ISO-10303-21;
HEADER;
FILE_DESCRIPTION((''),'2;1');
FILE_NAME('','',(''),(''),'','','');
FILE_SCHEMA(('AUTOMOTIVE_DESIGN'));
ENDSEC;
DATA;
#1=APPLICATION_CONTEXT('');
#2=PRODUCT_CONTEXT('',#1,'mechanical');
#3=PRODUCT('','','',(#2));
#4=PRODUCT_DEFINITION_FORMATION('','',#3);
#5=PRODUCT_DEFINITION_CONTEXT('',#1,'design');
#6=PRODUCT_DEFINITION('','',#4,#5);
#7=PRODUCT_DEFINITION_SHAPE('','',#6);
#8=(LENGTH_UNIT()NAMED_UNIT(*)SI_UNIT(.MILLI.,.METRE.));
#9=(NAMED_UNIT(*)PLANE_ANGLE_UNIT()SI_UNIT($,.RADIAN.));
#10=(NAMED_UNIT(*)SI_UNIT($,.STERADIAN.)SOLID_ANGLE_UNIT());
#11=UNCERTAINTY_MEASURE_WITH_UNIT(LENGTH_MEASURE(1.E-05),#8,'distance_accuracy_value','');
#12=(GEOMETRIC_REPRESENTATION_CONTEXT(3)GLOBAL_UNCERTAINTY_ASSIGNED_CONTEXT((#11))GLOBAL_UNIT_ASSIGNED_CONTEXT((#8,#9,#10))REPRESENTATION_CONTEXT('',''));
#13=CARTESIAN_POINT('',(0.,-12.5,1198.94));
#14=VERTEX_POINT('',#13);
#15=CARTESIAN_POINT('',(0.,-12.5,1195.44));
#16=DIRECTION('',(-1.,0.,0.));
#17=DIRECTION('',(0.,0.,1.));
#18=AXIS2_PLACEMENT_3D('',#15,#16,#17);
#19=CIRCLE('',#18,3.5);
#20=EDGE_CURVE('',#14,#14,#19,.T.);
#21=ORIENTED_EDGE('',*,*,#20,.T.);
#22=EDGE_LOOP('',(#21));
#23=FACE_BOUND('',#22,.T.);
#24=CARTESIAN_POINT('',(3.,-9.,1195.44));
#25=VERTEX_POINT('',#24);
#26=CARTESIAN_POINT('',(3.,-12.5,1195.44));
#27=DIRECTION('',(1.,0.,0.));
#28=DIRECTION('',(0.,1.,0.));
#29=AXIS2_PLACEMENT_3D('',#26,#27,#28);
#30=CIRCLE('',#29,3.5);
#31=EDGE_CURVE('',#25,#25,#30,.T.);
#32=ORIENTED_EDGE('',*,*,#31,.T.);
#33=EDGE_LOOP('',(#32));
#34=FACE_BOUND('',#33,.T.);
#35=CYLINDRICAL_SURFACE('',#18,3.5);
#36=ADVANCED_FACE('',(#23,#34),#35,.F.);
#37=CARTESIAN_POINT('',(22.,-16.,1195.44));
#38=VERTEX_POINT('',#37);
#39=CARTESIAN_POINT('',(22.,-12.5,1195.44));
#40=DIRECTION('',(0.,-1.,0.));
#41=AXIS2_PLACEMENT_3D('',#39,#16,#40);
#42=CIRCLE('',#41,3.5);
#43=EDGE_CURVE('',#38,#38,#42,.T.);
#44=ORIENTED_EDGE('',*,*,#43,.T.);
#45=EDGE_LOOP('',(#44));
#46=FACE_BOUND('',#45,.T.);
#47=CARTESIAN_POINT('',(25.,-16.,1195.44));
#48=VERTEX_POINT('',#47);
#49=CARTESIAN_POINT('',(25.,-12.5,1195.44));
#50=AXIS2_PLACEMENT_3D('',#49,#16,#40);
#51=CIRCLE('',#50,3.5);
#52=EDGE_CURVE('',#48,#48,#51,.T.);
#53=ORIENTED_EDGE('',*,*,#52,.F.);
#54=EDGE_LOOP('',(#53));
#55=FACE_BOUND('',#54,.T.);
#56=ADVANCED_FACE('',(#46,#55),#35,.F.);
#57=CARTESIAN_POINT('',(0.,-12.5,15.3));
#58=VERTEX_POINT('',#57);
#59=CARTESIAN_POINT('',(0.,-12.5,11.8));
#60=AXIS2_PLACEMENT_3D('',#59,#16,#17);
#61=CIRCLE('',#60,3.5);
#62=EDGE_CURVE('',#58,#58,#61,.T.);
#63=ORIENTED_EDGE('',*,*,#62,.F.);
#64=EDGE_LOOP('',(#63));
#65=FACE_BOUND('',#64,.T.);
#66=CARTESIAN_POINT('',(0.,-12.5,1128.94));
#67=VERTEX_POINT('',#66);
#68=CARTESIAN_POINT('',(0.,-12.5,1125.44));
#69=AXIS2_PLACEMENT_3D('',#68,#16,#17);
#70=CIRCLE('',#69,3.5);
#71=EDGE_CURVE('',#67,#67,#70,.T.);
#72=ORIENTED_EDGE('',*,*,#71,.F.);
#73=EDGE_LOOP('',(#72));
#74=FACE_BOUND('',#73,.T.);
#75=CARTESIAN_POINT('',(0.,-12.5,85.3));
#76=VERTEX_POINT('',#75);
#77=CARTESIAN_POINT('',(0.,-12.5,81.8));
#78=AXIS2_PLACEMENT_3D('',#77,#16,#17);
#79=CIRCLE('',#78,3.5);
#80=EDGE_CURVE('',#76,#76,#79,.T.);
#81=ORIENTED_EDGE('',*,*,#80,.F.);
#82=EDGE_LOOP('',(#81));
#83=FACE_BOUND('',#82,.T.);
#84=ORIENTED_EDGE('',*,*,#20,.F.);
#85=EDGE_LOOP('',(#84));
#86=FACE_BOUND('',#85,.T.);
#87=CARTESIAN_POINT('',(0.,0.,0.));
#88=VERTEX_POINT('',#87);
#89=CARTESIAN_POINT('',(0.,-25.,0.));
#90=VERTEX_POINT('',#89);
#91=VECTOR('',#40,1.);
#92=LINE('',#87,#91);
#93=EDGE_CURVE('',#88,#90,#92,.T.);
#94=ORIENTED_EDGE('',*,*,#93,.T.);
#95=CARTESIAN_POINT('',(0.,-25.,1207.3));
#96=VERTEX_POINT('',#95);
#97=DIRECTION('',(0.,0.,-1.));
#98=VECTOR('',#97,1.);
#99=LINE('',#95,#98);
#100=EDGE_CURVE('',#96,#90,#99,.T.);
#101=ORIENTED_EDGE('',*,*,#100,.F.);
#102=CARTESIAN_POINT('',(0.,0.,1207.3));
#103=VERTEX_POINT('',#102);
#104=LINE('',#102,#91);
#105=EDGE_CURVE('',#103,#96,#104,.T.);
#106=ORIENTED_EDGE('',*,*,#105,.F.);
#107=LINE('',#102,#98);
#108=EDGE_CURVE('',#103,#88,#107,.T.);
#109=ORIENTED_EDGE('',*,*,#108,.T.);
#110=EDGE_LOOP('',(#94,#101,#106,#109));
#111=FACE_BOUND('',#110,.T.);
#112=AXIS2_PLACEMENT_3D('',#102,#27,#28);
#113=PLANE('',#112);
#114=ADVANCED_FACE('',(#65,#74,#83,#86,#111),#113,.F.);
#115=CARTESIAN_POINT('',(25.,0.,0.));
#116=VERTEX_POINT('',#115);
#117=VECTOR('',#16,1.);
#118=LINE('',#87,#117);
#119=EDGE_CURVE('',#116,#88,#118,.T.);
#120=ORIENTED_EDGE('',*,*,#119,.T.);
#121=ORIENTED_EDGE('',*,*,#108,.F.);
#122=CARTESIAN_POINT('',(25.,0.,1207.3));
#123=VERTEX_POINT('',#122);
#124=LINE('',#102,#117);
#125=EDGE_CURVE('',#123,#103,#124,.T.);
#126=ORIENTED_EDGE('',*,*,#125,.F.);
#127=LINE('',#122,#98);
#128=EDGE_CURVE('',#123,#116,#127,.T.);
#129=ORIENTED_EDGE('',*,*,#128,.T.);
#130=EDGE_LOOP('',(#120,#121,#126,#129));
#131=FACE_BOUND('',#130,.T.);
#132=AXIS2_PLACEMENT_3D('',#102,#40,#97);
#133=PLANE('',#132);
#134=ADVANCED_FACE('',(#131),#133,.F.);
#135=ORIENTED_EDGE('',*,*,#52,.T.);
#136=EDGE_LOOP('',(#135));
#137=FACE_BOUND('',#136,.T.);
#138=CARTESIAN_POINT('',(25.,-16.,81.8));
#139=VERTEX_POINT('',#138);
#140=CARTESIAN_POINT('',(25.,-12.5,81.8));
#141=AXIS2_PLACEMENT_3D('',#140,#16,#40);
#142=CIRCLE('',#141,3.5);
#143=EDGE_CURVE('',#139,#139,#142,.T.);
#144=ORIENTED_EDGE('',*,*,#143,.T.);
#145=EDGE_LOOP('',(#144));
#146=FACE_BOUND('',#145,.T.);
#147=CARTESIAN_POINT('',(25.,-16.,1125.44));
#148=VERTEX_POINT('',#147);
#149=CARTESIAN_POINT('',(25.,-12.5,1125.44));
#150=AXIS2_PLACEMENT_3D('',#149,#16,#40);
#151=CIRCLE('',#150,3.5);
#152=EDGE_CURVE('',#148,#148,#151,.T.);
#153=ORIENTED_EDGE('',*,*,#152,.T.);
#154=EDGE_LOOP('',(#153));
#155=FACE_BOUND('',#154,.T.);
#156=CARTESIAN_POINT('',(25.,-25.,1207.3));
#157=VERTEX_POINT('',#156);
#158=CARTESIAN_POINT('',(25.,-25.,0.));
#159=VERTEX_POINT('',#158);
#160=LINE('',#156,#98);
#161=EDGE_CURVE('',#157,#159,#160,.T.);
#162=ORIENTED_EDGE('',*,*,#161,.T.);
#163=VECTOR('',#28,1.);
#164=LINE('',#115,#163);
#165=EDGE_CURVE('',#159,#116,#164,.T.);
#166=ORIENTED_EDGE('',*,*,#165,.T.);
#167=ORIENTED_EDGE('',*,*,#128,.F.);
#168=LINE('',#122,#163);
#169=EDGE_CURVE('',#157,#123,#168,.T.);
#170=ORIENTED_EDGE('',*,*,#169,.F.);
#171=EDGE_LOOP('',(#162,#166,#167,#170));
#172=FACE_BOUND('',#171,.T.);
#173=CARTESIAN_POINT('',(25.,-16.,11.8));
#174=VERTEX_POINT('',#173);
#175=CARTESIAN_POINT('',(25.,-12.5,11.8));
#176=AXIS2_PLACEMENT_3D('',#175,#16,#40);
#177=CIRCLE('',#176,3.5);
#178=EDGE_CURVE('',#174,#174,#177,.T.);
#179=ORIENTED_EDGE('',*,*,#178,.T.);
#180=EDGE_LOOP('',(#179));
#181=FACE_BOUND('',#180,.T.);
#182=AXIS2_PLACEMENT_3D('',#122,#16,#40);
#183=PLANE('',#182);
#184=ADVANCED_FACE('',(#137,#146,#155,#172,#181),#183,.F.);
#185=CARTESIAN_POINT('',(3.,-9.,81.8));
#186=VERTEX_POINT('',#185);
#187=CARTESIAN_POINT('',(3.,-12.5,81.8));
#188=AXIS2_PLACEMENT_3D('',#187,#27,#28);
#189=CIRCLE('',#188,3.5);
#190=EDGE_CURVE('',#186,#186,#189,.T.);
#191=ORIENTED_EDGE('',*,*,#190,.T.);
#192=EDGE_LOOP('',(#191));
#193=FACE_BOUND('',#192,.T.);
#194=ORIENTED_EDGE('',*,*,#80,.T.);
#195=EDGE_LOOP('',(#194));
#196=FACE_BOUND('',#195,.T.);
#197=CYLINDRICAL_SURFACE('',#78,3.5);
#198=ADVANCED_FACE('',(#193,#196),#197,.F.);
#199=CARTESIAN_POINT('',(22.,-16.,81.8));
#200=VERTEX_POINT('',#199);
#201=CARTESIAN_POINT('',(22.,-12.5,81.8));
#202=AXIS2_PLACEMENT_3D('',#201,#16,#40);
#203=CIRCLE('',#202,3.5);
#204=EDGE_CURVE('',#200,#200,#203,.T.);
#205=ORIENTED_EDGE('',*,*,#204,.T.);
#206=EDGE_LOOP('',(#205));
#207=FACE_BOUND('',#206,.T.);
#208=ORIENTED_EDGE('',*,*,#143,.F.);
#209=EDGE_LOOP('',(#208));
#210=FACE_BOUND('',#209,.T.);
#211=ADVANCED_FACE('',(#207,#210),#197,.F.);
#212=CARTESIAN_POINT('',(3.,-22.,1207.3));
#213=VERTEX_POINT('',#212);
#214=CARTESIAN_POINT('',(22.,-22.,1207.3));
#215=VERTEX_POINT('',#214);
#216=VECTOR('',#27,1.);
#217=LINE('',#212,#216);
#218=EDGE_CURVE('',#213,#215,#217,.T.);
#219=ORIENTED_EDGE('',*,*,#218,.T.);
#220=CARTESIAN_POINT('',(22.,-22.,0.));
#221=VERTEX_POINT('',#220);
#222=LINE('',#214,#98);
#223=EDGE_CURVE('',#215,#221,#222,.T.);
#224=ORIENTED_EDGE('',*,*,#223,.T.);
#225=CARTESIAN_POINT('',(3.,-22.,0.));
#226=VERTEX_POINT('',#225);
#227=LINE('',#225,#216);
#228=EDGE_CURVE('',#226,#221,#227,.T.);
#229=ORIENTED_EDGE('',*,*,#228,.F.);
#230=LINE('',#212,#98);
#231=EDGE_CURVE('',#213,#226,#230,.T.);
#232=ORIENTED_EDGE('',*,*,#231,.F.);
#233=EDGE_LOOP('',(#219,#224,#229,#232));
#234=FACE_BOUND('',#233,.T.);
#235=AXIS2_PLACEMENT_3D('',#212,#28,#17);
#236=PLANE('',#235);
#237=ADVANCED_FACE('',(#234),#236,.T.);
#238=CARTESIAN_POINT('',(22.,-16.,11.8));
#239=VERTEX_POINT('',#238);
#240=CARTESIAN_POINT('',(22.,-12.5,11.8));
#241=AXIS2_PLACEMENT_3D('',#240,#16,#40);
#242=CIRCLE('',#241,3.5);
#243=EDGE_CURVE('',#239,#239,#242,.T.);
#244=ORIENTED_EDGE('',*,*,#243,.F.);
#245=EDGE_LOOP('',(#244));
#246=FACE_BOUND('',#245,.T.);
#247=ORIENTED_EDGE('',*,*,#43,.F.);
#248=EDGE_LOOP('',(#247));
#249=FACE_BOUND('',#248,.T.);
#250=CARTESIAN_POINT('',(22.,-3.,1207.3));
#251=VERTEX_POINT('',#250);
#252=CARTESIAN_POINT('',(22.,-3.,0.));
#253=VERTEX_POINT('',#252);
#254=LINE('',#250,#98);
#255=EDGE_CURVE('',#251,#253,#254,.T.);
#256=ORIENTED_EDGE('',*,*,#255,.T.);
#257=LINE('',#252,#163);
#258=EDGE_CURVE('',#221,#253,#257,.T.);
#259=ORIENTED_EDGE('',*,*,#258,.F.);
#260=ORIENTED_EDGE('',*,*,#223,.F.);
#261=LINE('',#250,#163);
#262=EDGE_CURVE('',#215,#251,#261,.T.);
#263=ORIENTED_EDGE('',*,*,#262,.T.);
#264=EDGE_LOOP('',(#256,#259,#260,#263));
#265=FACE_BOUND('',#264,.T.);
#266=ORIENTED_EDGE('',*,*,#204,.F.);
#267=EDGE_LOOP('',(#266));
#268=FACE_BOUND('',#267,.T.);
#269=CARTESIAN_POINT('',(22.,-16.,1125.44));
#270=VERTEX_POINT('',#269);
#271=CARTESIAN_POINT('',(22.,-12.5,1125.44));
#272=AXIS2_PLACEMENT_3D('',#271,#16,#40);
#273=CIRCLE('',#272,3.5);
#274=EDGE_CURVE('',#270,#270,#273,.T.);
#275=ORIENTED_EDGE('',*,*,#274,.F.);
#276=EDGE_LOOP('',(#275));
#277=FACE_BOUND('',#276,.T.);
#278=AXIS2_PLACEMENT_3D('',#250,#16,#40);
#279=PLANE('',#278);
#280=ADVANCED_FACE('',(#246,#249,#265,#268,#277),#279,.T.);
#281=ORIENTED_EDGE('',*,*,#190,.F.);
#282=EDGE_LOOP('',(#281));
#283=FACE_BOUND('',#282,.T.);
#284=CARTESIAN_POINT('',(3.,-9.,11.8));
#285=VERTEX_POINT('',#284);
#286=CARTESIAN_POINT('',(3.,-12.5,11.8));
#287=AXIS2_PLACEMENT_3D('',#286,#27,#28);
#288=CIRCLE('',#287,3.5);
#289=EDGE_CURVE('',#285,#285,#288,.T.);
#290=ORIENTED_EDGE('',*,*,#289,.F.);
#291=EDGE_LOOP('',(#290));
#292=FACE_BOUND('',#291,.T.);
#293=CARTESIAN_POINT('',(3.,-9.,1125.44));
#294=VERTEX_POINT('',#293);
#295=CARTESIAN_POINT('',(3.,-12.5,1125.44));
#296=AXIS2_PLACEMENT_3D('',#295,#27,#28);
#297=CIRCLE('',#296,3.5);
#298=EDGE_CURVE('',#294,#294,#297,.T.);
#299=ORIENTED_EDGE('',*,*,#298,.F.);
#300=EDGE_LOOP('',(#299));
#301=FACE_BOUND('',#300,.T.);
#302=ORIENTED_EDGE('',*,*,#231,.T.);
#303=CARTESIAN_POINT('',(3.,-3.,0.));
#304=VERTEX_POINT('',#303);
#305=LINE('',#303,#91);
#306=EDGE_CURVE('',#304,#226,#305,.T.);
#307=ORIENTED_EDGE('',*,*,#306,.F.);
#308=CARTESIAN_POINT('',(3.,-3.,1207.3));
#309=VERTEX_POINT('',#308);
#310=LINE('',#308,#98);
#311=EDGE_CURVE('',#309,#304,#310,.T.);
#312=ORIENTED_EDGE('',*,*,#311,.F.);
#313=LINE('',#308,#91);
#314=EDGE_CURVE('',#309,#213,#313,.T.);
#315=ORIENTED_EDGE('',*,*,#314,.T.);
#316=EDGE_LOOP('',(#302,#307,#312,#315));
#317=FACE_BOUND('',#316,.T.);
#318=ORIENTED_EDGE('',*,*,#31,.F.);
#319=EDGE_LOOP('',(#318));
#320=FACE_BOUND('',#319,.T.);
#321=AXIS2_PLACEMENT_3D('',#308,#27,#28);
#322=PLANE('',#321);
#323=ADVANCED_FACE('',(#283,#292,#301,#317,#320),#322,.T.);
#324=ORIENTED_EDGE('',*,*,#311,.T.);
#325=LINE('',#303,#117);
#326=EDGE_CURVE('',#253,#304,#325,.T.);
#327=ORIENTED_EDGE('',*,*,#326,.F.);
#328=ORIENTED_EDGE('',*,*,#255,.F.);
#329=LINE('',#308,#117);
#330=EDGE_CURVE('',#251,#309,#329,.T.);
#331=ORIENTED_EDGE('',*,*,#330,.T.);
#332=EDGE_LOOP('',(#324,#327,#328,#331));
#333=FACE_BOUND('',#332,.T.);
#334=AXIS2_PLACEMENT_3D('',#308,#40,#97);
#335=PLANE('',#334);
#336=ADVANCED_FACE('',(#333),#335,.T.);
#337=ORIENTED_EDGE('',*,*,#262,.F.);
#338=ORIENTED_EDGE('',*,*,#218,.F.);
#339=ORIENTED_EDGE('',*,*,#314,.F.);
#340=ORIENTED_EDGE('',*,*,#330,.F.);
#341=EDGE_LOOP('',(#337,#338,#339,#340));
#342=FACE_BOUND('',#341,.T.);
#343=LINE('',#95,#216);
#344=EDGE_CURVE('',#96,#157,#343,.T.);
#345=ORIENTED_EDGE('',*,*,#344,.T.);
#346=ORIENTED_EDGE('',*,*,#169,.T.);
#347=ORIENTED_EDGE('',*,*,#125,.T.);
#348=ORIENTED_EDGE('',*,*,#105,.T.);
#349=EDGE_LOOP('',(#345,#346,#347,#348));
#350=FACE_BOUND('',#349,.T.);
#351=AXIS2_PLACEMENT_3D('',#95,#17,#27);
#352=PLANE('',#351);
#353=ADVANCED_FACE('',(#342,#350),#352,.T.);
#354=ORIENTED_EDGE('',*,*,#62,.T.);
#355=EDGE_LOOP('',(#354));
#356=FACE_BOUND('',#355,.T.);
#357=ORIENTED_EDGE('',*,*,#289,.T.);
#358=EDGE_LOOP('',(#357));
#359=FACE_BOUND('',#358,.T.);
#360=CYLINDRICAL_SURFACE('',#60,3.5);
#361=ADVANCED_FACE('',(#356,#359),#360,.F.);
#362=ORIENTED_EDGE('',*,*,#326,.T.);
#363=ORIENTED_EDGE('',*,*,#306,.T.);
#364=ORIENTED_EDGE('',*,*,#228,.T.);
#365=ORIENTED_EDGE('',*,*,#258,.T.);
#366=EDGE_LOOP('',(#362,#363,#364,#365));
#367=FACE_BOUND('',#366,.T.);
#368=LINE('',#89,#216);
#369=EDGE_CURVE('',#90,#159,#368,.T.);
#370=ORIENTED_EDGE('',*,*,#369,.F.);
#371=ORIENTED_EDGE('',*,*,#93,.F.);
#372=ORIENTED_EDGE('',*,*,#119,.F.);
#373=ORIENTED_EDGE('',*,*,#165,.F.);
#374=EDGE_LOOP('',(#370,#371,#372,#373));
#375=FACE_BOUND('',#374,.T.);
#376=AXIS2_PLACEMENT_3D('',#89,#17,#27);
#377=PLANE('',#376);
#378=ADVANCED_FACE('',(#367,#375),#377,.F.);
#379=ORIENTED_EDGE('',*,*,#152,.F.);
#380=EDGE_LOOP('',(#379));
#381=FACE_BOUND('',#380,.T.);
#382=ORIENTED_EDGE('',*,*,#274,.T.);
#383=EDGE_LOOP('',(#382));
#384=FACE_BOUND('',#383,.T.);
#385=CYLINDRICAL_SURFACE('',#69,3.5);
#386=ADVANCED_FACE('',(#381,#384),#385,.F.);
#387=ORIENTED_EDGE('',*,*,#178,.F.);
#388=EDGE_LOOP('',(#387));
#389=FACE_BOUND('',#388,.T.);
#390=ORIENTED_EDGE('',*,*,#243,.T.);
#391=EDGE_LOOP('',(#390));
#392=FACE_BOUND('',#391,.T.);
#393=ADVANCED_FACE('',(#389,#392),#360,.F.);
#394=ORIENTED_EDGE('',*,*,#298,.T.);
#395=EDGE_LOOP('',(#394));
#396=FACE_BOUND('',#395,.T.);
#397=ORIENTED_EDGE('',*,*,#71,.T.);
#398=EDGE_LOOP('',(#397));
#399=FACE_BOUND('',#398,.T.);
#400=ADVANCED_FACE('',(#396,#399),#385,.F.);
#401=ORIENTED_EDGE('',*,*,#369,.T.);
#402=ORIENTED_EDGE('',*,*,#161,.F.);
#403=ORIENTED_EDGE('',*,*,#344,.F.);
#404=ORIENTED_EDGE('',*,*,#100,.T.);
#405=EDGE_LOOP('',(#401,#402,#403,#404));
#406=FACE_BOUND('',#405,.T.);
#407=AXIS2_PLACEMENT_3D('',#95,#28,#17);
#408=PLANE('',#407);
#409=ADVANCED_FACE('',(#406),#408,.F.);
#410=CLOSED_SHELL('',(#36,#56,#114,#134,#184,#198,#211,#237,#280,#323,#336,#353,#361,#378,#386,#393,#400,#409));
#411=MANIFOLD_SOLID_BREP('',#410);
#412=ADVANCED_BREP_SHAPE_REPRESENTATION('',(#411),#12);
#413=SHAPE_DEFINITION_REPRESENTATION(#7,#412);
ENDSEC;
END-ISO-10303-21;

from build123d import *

# Parameters (mm, degrees)
SKETCH_1_W                     = 25
SKETCH_1_H                     = 25
SKETCH_1_W_2                   = 19
SKETCH_1_H_2                   = 19
EXTRUDE_1_DEPTH                = 1207.3
HOLE_WIZARD_7_0_7_1_AT_2_COUNT = 2
HOLE_WIZARD_7_0_7_1_AT_2_PITCH = 70
PATTERN_LINEAR_1_COUNT         = 2
PATTERN_LINEAR_1_PITCH         = 1113.64


with BuildPart() as part:
    # 草图1 → 拉伸1 (new body)
    with BuildSketch(Plane.XY):
        with Locations((12.5, -12.5)):
            Rectangle(SKETCH_1_W, SKETCH_1_H)
        with Locations((12.5, -12.5)):
            Rectangle(SKETCH_1_W_2, SKETCH_1_H_2, mode=Mode.SUBTRACT)
    extrude(amount=EXTRUDE_1_DEPTH)

    # 草图4 → Ø7.0 (7) 直径孔1 (revolve, cut)
    with BuildSketch(Plane(origin=(0, -12.5, 11.8), x_dir=(0, 0, 1), z_dir=(0, 1, 0))):
        Polygon((0, 0), (0, 32.103012167), (3.5, 30), (3.5, 0), align=None)
    hole_wizard_7_0_7_1 = revolve(axis=Axis((-6.35, -12.5, 11.8), (1, 0, 0)), mode=Mode.SUBTRACT)

    # Ø7.0 (7) 直径孔1 at 2: Ø7.0 (7) 直径孔1 ×2
    with Locations(*[(0, 0, i * HOLE_WIZARD_7_0_7_1_AT_2_PITCH) for i in range(1, HOLE_WIZARD_7_0_7_1_AT_2_COUNT)]):
        add(hole_wizard_7_0_7_1, mode=Mode.SUBTRACT)

    # 阵列(线性)1: Ø7.0 (7) 直径孔1 ×2
    with Locations(*[(0, 0, i * PATTERN_LINEAR_1_PITCH) for i in range(1, PATTERN_LINEAR_1_COUNT)]):
        add(hole_wizard_7_0_7_1, mode=Mode.SUBTRACT)

    # 阵列(线性)1 copy 1 sketch → 阵列(线性)1 copy 1 (revolve, cut)
    with BuildSketch(Plane(origin=(0, -12.5, 1195.44), x_dir=(0, 0, 1), z_dir=(0, 1, 0))):
        Polygon((0, 0), (0, 32.103012167), (3.5, 30), (3.5, 0), align=None)
    revolve(axis=Axis((-6.35, -12.5, 1195.44), (1, 0, 0)), mode=Mode.SUBTRACT)


solid = part.part
